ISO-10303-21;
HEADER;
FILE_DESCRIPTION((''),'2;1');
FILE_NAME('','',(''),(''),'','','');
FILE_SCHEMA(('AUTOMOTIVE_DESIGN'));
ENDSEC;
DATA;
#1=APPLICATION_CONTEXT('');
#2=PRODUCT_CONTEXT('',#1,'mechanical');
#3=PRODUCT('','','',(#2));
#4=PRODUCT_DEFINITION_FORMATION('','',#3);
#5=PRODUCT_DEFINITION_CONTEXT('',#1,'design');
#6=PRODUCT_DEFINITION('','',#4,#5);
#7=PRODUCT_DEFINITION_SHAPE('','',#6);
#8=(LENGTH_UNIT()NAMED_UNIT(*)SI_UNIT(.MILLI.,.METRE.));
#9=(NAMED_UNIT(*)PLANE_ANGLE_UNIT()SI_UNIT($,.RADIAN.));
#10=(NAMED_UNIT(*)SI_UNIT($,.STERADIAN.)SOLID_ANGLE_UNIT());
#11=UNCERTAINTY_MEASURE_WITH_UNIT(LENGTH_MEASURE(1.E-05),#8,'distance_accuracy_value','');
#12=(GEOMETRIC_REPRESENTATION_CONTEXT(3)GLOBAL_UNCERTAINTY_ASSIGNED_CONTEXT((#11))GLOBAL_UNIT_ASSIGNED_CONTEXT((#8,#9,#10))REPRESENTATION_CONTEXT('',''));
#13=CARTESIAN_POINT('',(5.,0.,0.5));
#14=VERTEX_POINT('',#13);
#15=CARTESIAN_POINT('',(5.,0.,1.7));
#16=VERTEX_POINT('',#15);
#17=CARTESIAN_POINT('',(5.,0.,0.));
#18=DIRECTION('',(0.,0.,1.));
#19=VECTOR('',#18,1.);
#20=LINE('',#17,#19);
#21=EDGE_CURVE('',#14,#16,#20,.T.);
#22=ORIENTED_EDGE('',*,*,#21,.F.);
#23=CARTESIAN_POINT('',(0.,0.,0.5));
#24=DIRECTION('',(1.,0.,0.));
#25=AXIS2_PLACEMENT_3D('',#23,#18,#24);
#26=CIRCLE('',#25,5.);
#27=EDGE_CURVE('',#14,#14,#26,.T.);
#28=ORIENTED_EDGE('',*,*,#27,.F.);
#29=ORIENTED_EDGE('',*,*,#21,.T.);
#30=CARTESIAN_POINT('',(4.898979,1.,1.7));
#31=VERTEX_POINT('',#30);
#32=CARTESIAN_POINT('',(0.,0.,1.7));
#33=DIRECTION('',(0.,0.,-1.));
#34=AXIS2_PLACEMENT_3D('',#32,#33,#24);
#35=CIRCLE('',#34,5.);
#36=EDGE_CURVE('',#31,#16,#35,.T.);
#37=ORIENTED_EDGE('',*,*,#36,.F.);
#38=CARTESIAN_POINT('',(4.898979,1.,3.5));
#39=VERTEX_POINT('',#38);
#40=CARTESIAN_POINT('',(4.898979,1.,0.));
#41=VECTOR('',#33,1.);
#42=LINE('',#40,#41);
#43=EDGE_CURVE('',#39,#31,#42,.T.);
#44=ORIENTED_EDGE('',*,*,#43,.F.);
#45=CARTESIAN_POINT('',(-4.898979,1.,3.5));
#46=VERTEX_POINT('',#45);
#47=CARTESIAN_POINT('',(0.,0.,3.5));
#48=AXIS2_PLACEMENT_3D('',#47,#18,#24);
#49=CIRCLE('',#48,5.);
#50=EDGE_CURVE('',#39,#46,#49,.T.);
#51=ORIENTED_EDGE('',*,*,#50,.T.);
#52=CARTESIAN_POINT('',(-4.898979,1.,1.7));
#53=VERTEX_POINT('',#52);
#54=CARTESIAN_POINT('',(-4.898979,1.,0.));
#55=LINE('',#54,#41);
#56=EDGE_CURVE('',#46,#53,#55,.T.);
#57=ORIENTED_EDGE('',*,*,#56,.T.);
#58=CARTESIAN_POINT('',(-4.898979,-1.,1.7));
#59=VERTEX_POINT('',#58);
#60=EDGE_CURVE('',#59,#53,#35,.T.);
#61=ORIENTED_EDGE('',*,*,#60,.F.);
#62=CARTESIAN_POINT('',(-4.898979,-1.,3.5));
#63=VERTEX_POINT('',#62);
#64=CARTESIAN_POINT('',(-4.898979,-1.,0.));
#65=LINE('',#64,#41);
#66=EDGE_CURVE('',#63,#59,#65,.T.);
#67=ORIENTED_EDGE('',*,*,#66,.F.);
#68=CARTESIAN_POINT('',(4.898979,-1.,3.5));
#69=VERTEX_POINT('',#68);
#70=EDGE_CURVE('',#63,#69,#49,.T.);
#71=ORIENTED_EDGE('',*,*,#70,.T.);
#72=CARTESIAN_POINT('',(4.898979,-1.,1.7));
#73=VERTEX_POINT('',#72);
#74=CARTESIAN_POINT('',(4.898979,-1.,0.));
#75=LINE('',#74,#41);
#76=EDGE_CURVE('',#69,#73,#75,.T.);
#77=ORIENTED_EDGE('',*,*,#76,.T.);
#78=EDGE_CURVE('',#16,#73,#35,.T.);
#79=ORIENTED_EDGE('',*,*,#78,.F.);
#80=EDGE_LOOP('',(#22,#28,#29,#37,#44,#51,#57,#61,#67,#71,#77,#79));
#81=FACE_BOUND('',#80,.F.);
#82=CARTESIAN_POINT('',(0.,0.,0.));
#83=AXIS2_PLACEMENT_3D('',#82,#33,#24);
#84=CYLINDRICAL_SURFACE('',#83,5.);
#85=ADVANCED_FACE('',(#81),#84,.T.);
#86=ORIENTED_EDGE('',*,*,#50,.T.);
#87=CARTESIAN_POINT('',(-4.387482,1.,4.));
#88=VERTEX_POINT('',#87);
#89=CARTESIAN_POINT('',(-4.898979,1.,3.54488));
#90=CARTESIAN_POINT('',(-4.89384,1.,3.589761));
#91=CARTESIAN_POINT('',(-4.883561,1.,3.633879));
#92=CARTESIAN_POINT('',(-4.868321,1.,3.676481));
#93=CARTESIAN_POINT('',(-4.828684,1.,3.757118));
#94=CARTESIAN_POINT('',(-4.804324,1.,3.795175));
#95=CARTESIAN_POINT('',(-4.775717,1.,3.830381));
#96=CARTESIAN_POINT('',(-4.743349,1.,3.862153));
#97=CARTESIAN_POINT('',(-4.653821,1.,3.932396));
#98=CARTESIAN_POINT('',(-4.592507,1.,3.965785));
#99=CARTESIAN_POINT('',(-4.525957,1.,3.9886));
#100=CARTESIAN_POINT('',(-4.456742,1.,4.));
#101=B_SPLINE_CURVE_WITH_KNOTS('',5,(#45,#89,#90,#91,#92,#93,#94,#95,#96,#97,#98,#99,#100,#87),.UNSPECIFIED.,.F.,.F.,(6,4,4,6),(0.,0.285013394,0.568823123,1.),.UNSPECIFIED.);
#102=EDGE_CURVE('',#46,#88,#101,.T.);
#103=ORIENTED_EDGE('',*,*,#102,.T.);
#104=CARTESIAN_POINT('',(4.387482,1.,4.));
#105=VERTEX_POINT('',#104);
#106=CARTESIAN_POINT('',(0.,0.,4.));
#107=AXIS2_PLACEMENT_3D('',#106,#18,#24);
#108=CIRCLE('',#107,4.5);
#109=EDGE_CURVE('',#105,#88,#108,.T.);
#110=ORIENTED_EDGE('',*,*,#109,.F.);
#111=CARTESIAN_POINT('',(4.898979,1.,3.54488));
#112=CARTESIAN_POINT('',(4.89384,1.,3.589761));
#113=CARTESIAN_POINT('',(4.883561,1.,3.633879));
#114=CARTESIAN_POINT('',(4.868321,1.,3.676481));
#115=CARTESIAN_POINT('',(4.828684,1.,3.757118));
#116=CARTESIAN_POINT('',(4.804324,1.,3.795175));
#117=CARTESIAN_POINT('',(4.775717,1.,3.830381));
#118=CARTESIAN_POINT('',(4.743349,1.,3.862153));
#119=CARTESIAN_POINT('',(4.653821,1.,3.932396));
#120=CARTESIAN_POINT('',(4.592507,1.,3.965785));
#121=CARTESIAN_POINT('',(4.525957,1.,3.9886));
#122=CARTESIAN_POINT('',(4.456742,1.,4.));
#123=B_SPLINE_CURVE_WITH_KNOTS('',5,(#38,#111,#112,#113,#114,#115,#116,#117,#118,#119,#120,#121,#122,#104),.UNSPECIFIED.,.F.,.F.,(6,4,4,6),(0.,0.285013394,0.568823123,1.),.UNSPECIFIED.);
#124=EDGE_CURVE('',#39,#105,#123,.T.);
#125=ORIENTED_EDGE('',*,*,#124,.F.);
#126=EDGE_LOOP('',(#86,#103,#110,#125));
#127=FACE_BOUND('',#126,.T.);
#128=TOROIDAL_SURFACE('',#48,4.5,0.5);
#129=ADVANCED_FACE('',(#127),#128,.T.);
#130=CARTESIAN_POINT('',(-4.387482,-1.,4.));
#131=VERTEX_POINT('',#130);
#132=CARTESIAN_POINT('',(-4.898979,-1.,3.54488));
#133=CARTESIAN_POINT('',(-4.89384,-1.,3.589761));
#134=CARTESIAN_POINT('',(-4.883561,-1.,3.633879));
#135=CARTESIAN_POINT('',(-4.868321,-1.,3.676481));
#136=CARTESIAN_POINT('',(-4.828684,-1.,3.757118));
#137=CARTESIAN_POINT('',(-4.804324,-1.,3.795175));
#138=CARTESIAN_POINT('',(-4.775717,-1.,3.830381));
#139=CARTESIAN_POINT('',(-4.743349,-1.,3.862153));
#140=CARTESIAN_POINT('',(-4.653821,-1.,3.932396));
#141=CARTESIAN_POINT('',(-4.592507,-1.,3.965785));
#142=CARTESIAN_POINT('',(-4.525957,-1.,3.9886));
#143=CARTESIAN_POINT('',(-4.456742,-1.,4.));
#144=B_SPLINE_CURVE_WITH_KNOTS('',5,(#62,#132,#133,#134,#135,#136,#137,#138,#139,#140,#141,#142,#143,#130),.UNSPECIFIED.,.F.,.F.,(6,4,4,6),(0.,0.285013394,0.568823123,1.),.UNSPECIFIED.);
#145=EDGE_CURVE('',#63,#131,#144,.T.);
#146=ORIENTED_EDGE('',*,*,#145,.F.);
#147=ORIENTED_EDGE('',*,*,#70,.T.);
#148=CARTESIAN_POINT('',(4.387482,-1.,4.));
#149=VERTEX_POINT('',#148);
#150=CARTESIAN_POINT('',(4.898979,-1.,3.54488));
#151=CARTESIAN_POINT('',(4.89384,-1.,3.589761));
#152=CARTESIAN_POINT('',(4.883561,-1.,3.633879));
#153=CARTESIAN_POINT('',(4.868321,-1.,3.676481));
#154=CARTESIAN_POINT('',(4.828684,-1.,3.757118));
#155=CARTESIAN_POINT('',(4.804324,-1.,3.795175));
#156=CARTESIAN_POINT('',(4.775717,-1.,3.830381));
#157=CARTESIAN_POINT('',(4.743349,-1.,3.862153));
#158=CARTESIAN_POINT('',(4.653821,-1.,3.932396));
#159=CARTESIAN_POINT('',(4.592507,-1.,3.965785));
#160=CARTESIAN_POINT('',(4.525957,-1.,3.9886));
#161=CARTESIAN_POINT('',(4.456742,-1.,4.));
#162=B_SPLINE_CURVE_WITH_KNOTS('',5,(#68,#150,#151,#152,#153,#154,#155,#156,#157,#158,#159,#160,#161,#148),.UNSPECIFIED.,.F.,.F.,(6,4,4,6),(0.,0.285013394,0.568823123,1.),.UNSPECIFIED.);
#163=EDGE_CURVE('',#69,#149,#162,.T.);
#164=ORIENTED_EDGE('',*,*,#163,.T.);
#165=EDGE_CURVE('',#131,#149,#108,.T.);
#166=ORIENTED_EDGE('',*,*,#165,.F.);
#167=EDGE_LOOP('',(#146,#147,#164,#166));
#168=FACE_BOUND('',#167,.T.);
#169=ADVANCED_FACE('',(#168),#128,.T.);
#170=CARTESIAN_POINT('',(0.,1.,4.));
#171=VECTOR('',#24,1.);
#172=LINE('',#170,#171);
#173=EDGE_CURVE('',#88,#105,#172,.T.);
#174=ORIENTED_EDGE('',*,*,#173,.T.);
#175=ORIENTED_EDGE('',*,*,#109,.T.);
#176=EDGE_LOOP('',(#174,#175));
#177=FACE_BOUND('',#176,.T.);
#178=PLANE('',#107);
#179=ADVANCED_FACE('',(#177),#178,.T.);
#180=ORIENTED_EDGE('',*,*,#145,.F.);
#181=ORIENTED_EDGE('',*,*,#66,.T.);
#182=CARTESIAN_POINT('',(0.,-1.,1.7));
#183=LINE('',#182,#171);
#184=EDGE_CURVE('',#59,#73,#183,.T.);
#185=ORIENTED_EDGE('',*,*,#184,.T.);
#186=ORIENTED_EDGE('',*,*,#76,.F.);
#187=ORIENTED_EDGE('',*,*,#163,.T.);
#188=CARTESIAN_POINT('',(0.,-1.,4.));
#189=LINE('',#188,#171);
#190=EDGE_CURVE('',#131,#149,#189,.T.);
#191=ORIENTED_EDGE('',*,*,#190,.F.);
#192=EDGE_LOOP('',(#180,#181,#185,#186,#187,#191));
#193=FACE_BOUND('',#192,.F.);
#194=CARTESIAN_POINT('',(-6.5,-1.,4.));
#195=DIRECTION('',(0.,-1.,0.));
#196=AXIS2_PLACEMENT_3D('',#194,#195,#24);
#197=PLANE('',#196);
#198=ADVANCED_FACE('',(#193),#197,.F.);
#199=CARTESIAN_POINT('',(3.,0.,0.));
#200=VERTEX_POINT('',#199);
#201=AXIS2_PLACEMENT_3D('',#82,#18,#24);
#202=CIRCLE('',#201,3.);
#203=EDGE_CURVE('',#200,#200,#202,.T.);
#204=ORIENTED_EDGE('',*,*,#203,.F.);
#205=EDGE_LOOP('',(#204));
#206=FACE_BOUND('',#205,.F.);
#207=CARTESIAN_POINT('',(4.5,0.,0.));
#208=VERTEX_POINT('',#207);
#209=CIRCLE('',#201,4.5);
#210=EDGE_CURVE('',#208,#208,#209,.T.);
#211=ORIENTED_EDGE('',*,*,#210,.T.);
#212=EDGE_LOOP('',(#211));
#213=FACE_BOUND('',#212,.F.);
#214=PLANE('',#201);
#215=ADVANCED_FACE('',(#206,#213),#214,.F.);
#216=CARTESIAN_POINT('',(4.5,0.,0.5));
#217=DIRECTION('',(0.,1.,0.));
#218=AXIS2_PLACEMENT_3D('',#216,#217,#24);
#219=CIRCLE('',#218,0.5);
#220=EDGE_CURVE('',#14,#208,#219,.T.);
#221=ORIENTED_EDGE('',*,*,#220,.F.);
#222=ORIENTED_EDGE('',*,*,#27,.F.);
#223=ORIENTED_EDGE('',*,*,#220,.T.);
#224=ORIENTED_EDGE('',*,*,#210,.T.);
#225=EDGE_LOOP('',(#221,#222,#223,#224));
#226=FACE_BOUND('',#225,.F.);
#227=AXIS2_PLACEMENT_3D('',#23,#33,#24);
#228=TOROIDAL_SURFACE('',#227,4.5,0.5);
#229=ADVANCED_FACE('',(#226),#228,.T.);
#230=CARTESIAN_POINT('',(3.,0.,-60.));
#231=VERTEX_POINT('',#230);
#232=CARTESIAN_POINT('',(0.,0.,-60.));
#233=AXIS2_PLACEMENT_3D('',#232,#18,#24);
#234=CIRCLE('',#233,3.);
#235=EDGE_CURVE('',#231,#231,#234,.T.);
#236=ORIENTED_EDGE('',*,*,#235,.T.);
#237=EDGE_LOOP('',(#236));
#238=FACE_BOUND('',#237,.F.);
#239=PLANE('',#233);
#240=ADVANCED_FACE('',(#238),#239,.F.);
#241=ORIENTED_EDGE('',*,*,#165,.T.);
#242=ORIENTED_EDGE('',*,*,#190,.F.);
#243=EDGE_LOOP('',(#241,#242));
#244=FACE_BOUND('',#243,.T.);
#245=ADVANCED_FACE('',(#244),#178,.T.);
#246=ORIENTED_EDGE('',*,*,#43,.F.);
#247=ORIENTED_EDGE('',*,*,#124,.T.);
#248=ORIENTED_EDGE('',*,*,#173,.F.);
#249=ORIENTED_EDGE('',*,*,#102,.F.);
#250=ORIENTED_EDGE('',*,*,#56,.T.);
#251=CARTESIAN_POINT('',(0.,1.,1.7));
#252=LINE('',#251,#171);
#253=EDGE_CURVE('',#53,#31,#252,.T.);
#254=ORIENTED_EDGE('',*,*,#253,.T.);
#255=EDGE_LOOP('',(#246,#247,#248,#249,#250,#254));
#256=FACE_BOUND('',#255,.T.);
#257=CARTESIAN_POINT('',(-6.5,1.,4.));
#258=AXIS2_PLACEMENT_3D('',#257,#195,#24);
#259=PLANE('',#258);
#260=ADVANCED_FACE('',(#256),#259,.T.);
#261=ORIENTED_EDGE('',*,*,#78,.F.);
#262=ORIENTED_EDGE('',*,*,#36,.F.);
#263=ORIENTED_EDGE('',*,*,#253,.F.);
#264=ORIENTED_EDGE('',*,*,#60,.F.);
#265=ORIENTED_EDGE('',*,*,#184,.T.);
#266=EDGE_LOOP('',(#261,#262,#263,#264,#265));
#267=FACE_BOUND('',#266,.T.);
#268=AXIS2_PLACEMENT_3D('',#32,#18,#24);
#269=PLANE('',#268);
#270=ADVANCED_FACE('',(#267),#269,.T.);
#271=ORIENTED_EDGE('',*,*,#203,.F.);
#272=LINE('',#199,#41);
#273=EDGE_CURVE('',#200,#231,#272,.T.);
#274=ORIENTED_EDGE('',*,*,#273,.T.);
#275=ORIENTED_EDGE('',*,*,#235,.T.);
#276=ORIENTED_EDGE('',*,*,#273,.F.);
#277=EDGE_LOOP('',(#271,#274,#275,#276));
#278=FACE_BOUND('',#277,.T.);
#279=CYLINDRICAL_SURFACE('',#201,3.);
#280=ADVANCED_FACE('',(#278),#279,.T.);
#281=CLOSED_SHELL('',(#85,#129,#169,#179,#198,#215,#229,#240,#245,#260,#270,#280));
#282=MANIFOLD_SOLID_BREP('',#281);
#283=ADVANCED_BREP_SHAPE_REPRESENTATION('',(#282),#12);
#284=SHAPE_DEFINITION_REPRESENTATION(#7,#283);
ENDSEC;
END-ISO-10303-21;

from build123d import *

# Parameters (mm, degrees)
F0_R     = 3
F1_DEPTH = 60
F2_R     = 5
F3_DEPTH = 4
F4_R     = 0.5
F5_W     = 13
F5_H     = 2
F6_DEPTH = 2.3


with BuildPart() as f1:
    # F0 (on Top) → F1 (new body)
    with BuildSketch(Plane.XY):
        Circle(F0_R)
    extrude(amount=-F1_DEPTH)

    # F2 (on face) → F3 (join)
    with BuildSketch(Plane.XY):
        Circle(F2_R)
    extrude(amount=F3_DEPTH)

    # F4
    f4_edges = [f1.edges().sort_by_distance(p)[0] for p in [
        (-5, 0, 4),
        (-5, 0, 0),
    ]]
    fillet(f4_edges, radius=F4_R)

    # F5 (on face) → F6 (cut)
    with BuildSketch(Plane.XY.offset(4)):
        Rectangle(F5_W, F5_H)
    extrude(amount=-F6_DEPTH, mode=Mode.SUBTRACT)


solid = f1.part
